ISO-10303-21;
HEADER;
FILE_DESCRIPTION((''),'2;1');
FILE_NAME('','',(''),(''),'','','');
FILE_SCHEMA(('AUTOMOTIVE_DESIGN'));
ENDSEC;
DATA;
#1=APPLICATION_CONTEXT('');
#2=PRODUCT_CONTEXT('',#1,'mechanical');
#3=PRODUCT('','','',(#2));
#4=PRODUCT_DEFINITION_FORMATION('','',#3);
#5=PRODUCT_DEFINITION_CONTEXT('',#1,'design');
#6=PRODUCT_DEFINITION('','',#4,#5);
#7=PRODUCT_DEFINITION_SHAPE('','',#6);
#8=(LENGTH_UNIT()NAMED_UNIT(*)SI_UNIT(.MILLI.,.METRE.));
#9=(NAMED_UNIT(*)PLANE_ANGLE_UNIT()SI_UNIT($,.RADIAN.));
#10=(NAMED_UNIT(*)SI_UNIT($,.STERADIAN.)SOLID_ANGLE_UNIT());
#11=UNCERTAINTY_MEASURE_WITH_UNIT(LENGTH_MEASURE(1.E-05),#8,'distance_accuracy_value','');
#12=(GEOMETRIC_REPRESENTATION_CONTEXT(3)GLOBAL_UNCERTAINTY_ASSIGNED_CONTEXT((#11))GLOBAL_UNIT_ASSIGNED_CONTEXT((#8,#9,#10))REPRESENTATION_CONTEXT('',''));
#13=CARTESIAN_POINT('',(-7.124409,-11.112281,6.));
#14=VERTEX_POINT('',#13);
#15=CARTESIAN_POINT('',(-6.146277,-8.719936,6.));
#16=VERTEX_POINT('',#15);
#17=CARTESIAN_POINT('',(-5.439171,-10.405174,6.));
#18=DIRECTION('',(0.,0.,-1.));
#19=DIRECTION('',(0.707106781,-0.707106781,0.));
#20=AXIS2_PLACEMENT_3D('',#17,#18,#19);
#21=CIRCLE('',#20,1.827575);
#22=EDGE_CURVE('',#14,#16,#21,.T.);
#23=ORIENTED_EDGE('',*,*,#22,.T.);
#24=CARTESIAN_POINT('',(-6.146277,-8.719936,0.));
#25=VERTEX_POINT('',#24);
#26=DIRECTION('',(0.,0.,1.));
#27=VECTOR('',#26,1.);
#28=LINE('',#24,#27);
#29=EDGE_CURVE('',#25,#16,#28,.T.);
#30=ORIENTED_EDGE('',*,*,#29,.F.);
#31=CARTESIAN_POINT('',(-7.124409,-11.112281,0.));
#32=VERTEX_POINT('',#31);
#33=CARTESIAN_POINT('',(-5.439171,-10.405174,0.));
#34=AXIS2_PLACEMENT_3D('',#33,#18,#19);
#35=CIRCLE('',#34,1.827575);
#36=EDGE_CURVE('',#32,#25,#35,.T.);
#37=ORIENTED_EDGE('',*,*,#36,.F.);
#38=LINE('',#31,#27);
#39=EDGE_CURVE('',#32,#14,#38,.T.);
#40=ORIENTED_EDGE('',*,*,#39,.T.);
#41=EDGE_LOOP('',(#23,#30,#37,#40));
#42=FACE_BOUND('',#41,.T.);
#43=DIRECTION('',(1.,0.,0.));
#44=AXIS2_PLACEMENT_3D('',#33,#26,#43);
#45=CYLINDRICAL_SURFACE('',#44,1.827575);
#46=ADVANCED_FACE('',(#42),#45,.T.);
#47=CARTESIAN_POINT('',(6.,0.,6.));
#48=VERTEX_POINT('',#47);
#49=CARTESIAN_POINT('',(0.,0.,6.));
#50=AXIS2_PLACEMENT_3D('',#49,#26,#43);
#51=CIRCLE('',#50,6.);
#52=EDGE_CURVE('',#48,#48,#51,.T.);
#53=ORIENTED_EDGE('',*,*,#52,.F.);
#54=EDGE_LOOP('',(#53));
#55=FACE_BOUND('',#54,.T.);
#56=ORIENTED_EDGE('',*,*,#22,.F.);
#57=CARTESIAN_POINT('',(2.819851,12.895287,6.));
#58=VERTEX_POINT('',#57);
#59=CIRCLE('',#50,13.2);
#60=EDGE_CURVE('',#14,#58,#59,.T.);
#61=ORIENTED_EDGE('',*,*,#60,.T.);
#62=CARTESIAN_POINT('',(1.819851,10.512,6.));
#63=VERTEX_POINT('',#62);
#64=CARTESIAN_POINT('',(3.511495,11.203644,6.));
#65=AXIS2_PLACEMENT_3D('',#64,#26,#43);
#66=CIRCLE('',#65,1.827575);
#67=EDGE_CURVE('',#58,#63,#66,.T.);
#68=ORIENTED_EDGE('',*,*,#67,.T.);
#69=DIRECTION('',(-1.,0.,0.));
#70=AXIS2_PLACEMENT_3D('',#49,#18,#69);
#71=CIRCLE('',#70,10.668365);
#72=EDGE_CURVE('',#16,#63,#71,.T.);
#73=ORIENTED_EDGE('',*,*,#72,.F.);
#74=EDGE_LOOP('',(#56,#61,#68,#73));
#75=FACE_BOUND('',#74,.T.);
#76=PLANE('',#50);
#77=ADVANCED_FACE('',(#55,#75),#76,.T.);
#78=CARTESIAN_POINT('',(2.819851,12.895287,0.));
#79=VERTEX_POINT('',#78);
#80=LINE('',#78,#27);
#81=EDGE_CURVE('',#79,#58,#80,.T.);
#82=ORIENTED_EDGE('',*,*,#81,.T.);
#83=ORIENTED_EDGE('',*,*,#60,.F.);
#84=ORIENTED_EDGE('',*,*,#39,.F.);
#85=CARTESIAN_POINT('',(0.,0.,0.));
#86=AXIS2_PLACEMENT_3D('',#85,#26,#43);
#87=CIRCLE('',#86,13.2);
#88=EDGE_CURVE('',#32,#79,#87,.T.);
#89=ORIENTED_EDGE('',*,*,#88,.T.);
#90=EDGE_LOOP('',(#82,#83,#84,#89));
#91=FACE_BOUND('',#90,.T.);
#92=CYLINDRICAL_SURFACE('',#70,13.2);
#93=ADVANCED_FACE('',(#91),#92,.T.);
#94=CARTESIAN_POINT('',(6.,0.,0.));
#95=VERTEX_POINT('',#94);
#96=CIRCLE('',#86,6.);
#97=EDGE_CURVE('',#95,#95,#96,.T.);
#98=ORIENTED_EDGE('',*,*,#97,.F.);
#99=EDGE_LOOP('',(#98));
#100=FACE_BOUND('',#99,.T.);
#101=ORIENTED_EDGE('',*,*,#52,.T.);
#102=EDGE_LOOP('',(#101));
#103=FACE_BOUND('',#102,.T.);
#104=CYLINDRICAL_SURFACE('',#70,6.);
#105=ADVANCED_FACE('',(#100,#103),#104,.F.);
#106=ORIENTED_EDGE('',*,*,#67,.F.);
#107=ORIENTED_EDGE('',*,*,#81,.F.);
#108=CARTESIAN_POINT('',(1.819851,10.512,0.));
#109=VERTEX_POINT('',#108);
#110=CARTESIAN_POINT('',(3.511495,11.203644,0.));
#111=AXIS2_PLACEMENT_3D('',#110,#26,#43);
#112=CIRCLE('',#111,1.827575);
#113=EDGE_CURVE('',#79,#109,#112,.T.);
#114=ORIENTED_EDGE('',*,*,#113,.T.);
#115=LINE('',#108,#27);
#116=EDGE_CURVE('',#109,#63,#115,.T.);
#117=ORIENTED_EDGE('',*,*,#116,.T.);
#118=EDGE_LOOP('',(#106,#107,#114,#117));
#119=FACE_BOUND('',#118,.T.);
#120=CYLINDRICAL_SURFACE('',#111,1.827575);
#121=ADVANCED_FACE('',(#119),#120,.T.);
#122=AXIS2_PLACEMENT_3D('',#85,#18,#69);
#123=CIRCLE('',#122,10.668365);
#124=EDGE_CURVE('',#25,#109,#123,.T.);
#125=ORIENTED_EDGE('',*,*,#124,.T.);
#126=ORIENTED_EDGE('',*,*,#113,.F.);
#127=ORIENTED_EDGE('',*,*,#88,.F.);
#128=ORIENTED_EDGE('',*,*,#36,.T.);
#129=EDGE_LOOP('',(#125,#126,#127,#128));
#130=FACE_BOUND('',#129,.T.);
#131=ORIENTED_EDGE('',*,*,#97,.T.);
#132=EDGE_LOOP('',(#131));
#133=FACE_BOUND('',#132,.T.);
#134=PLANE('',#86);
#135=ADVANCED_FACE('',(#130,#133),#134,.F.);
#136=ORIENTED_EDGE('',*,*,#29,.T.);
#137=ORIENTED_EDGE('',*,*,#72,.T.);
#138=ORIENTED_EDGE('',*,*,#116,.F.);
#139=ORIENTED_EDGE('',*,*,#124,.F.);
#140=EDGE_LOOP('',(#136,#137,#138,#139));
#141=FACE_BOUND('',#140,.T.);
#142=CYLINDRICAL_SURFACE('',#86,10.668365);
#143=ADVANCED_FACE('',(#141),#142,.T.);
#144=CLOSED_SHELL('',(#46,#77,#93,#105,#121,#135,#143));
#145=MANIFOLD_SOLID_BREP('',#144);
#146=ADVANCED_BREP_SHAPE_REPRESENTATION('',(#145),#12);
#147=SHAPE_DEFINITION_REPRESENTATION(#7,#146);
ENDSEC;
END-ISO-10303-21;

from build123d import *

# Parameters (mm, degrees)
SKETCH1_R           = 13.2
SKETCH1_R_2         = 6
BOSS_EXTRUDE1_DEPTH = 6
CUT_EXTRUDE1_DEPTH  = 7
SKETCH3_R           = 13.2
SKETCH3_R_2         = 6
BOSS_EXTRUDE2_DEPTH = 6
CUT_EXTRUDE2_DEPTH  = 7
CIRPATTERN2_COUNT   = 10
CIRPATTERN2_ANGLE   = 135


with BuildPart() as part:
    # Sketch1 → Boss-Extrude1 (new body)
    with BuildSketch(Plane.XY):
        Circle(SKETCH1_R)
        Circle(SKETCH1_R_2, mode=Mode.SUBTRACT)
    extrude(amount=BOSS_EXTRUDE1_DEPTH)

    # Sketch2 → Cut-Extrude1 (cut, through all)
    with BuildSketch(Plane.XY.offset(6)):
        with BuildLine():
            ThreePointArc((-2.819851171, 12.895287487), (0, 13.2), (2.819851171, 12.895287487))
            ThreePointArc((2.819851171, 12.895287487), (1.826256171, 11.910750525), (1.819851171, 10.512))
            ThreePointArc((1.819851171, 10.512), (0, 10.668364555), (-1.819851171, 10.512))
            ThreePointArc((-1.819851171, 10.512), (-1.826256171, 11.910750525), (-2.819851171, 12.895287487))
        make_face()
    extrude(amount=-CUT_EXTRUDE1_DEPTH, mode=Mode.SUBTRACT)

    # Sketch3 → Boss-Extrude2 (add)
    with BuildSketch(Plane.XY):
        Circle(SKETCH3_R)
        Circle(SKETCH3_R_2, mode=Mode.SUBTRACT)
    extrude(amount=BOSS_EXTRUDE2_DEPTH)

    # Sketch4 → Cut-Extrude2 (cut, through all)
    with BuildSketch(Plane.XY.offset(6)):
        with BuildLine():
            ThreePointArc((-2.819851171, 12.895287487), (0, 13.2), (2.819851171, 12.895287487))
            ThreePointArc((2.819851171, 12.895287487), (1.826256171, 11.910750525), (1.819851171, 10.512))
            ThreePointArc((1.819851171, 10.512), (0, 10.668364555), (-1.819851171, 10.512))
            ThreePointArc((-1.819851171, 10.512), (-1.826256171, 11.910750525), (-2.819851171, 12.895287487))
        make_face()
    cut_extrude2 = extrude(amount=-CUT_EXTRUDE2_DEPTH, mode=Mode.SUBTRACT)

    # CirPattern2: Cut-Extrude2 ×10 about axis
    cirpattern2_axis = Axis((0, 0, 0), (0, 0, 1))
    for i in range(1, CIRPATTERN2_COUNT):
        add(cut_extrude2.rotate(cirpattern2_axis, i * CIRPATTERN2_ANGLE / (CIRPATTERN2_COUNT - 1)), mode=Mode.SUBTRACT)


solid = part.part
